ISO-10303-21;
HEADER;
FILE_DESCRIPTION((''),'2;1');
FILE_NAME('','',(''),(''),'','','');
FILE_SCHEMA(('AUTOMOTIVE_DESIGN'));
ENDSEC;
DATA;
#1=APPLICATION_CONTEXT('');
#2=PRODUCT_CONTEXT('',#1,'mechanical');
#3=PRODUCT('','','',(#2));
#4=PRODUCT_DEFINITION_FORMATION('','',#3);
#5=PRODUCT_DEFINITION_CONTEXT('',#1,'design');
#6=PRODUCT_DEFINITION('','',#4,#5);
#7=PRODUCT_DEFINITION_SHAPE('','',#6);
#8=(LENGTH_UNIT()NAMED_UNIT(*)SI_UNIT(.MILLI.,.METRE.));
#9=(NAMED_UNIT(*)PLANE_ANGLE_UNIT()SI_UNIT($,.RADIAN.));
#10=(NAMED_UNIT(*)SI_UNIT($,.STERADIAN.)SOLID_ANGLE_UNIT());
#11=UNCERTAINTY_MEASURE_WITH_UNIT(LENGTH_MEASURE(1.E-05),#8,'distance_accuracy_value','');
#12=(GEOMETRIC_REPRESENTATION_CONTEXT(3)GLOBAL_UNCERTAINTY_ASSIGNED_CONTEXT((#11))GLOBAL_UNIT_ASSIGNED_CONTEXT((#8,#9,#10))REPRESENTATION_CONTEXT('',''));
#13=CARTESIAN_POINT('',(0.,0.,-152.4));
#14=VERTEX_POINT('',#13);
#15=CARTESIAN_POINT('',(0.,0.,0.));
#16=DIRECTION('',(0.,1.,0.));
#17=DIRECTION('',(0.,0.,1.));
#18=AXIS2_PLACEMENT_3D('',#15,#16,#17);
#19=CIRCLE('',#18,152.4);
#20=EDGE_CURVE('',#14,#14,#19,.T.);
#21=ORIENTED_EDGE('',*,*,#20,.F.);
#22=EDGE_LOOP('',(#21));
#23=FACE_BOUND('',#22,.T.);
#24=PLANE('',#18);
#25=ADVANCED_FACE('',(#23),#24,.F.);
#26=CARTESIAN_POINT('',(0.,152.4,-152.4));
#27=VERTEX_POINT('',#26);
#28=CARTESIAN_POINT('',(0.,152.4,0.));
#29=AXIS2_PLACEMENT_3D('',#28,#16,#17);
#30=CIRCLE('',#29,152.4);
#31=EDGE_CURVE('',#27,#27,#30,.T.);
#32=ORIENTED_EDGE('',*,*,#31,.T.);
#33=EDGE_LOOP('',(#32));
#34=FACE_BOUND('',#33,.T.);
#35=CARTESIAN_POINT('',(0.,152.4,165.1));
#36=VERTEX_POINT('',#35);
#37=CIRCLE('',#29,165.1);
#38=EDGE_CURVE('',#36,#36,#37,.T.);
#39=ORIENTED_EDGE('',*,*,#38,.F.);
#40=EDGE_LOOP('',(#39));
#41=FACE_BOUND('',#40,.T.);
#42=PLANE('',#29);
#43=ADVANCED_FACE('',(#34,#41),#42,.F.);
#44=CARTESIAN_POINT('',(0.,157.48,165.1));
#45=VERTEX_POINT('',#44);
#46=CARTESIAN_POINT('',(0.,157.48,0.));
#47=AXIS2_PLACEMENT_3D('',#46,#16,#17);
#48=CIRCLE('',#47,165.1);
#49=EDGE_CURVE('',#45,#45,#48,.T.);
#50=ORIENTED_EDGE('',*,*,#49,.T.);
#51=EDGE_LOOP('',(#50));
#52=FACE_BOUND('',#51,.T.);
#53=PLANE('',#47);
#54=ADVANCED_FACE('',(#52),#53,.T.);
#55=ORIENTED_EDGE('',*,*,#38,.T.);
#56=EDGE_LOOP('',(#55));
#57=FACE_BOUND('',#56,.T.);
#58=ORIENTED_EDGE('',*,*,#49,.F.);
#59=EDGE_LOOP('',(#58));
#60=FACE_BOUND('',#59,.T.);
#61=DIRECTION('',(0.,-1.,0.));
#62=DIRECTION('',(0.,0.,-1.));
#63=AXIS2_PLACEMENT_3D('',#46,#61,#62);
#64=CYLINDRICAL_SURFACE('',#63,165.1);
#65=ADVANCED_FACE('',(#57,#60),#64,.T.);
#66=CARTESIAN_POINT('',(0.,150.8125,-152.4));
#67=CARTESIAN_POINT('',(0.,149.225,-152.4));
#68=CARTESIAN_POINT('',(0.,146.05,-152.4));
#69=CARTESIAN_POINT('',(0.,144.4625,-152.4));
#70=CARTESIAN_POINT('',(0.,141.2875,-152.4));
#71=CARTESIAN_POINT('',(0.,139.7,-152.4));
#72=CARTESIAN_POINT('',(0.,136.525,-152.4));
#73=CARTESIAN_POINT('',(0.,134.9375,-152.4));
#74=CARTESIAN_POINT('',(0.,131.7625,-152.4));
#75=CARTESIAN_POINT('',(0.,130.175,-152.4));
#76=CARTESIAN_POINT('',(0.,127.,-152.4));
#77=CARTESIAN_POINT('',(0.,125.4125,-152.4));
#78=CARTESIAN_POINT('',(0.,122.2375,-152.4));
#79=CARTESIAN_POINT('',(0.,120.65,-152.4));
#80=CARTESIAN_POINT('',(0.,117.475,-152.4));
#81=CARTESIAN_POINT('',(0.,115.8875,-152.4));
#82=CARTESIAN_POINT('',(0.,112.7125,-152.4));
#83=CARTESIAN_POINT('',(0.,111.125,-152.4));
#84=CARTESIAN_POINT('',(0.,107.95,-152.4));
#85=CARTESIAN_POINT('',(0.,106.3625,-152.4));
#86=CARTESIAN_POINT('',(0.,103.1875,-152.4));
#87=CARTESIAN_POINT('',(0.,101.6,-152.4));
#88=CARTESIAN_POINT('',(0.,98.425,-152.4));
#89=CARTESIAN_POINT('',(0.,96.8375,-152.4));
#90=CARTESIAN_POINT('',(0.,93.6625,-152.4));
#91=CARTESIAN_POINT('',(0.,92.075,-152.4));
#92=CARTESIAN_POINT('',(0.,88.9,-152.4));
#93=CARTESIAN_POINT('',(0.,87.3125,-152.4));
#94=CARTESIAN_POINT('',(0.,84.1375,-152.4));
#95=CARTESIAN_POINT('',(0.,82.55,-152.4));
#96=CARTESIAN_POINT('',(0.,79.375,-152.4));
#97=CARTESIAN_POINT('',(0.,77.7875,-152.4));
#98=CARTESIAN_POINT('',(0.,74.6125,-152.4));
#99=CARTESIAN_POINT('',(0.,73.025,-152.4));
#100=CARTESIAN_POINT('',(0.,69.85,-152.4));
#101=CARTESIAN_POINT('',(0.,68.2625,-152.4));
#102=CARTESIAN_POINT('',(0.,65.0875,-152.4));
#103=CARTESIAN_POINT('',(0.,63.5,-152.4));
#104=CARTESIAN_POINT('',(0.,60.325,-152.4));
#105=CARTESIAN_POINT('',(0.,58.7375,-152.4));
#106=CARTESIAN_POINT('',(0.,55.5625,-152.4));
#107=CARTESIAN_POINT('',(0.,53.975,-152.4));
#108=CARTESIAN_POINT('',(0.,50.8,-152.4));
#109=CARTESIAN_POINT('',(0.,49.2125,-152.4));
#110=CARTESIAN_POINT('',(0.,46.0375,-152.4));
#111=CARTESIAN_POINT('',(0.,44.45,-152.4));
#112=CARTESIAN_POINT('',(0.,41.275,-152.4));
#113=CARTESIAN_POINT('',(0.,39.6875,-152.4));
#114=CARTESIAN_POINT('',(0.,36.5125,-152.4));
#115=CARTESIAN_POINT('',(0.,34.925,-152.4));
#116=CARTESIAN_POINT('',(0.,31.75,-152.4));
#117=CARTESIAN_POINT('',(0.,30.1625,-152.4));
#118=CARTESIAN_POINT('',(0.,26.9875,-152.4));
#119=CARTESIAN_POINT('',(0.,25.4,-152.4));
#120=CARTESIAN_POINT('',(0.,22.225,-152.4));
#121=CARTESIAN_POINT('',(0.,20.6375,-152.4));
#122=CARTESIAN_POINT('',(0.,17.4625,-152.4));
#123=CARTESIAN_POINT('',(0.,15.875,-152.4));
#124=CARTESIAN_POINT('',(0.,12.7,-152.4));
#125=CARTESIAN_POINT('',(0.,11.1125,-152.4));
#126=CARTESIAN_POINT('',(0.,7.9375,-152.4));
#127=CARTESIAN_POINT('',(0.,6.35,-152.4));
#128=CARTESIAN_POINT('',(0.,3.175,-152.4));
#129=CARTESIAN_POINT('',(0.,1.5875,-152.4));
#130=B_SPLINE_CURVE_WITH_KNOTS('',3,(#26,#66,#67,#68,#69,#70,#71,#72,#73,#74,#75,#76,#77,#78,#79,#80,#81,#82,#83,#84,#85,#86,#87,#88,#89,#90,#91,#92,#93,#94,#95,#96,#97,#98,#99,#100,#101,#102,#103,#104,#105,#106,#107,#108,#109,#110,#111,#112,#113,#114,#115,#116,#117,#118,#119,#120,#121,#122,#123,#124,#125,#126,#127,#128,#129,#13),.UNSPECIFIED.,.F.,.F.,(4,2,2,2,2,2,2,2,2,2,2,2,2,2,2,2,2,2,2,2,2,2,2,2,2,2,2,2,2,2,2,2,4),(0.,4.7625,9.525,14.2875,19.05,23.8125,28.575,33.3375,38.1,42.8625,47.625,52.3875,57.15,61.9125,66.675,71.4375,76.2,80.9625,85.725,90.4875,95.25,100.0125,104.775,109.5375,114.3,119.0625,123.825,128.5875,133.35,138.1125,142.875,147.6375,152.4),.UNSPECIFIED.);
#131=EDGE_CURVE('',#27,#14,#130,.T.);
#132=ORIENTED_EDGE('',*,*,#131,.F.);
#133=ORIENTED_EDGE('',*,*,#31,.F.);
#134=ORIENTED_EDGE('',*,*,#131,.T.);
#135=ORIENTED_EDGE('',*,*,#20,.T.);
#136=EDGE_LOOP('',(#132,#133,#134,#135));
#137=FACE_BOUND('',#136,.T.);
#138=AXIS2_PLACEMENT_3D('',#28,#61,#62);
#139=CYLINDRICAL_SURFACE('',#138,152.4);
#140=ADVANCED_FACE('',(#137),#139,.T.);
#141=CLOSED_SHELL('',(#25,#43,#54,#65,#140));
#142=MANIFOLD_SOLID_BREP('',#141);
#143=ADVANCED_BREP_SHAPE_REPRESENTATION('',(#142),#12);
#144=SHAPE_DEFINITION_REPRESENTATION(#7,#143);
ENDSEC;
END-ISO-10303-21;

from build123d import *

# Parameters (mm, degrees)
SKETCH1_R           = 152.4
BOSS_EXTRUDE1_DEPTH = 152.4
SKETCH3_R           = 165.1
BOSS_EXTRUDE2_DEPTH = 5.08


with BuildPart() as part:
    # Sketch1 → Boss-Extrude1 (new body)
    with BuildSketch(Plane(origin=(0, 0, 0), x_dir=(1, 0, 0), z_dir=(0, 1, 0))):
        with Locations(Location((0, 0, 0), (0, 0, 90))):
            Circle(SKETCH1_R)
    extrude(amount=BOSS_EXTRUDE1_DEPTH)

    # Sketch3 → Boss-Extrude2 (add)
    with BuildSketch(Plane(origin=(0, 152.4, 0), x_dir=(1, 0, 0), z_dir=(0, 1, 0))):
        with Locations(Location((0, 0, 0), (0, 0, 270))):
            Circle(SKETCH3_R)
    extrude(amount=BOSS_EXTRUDE2_DEPTH)


solid = part.part
